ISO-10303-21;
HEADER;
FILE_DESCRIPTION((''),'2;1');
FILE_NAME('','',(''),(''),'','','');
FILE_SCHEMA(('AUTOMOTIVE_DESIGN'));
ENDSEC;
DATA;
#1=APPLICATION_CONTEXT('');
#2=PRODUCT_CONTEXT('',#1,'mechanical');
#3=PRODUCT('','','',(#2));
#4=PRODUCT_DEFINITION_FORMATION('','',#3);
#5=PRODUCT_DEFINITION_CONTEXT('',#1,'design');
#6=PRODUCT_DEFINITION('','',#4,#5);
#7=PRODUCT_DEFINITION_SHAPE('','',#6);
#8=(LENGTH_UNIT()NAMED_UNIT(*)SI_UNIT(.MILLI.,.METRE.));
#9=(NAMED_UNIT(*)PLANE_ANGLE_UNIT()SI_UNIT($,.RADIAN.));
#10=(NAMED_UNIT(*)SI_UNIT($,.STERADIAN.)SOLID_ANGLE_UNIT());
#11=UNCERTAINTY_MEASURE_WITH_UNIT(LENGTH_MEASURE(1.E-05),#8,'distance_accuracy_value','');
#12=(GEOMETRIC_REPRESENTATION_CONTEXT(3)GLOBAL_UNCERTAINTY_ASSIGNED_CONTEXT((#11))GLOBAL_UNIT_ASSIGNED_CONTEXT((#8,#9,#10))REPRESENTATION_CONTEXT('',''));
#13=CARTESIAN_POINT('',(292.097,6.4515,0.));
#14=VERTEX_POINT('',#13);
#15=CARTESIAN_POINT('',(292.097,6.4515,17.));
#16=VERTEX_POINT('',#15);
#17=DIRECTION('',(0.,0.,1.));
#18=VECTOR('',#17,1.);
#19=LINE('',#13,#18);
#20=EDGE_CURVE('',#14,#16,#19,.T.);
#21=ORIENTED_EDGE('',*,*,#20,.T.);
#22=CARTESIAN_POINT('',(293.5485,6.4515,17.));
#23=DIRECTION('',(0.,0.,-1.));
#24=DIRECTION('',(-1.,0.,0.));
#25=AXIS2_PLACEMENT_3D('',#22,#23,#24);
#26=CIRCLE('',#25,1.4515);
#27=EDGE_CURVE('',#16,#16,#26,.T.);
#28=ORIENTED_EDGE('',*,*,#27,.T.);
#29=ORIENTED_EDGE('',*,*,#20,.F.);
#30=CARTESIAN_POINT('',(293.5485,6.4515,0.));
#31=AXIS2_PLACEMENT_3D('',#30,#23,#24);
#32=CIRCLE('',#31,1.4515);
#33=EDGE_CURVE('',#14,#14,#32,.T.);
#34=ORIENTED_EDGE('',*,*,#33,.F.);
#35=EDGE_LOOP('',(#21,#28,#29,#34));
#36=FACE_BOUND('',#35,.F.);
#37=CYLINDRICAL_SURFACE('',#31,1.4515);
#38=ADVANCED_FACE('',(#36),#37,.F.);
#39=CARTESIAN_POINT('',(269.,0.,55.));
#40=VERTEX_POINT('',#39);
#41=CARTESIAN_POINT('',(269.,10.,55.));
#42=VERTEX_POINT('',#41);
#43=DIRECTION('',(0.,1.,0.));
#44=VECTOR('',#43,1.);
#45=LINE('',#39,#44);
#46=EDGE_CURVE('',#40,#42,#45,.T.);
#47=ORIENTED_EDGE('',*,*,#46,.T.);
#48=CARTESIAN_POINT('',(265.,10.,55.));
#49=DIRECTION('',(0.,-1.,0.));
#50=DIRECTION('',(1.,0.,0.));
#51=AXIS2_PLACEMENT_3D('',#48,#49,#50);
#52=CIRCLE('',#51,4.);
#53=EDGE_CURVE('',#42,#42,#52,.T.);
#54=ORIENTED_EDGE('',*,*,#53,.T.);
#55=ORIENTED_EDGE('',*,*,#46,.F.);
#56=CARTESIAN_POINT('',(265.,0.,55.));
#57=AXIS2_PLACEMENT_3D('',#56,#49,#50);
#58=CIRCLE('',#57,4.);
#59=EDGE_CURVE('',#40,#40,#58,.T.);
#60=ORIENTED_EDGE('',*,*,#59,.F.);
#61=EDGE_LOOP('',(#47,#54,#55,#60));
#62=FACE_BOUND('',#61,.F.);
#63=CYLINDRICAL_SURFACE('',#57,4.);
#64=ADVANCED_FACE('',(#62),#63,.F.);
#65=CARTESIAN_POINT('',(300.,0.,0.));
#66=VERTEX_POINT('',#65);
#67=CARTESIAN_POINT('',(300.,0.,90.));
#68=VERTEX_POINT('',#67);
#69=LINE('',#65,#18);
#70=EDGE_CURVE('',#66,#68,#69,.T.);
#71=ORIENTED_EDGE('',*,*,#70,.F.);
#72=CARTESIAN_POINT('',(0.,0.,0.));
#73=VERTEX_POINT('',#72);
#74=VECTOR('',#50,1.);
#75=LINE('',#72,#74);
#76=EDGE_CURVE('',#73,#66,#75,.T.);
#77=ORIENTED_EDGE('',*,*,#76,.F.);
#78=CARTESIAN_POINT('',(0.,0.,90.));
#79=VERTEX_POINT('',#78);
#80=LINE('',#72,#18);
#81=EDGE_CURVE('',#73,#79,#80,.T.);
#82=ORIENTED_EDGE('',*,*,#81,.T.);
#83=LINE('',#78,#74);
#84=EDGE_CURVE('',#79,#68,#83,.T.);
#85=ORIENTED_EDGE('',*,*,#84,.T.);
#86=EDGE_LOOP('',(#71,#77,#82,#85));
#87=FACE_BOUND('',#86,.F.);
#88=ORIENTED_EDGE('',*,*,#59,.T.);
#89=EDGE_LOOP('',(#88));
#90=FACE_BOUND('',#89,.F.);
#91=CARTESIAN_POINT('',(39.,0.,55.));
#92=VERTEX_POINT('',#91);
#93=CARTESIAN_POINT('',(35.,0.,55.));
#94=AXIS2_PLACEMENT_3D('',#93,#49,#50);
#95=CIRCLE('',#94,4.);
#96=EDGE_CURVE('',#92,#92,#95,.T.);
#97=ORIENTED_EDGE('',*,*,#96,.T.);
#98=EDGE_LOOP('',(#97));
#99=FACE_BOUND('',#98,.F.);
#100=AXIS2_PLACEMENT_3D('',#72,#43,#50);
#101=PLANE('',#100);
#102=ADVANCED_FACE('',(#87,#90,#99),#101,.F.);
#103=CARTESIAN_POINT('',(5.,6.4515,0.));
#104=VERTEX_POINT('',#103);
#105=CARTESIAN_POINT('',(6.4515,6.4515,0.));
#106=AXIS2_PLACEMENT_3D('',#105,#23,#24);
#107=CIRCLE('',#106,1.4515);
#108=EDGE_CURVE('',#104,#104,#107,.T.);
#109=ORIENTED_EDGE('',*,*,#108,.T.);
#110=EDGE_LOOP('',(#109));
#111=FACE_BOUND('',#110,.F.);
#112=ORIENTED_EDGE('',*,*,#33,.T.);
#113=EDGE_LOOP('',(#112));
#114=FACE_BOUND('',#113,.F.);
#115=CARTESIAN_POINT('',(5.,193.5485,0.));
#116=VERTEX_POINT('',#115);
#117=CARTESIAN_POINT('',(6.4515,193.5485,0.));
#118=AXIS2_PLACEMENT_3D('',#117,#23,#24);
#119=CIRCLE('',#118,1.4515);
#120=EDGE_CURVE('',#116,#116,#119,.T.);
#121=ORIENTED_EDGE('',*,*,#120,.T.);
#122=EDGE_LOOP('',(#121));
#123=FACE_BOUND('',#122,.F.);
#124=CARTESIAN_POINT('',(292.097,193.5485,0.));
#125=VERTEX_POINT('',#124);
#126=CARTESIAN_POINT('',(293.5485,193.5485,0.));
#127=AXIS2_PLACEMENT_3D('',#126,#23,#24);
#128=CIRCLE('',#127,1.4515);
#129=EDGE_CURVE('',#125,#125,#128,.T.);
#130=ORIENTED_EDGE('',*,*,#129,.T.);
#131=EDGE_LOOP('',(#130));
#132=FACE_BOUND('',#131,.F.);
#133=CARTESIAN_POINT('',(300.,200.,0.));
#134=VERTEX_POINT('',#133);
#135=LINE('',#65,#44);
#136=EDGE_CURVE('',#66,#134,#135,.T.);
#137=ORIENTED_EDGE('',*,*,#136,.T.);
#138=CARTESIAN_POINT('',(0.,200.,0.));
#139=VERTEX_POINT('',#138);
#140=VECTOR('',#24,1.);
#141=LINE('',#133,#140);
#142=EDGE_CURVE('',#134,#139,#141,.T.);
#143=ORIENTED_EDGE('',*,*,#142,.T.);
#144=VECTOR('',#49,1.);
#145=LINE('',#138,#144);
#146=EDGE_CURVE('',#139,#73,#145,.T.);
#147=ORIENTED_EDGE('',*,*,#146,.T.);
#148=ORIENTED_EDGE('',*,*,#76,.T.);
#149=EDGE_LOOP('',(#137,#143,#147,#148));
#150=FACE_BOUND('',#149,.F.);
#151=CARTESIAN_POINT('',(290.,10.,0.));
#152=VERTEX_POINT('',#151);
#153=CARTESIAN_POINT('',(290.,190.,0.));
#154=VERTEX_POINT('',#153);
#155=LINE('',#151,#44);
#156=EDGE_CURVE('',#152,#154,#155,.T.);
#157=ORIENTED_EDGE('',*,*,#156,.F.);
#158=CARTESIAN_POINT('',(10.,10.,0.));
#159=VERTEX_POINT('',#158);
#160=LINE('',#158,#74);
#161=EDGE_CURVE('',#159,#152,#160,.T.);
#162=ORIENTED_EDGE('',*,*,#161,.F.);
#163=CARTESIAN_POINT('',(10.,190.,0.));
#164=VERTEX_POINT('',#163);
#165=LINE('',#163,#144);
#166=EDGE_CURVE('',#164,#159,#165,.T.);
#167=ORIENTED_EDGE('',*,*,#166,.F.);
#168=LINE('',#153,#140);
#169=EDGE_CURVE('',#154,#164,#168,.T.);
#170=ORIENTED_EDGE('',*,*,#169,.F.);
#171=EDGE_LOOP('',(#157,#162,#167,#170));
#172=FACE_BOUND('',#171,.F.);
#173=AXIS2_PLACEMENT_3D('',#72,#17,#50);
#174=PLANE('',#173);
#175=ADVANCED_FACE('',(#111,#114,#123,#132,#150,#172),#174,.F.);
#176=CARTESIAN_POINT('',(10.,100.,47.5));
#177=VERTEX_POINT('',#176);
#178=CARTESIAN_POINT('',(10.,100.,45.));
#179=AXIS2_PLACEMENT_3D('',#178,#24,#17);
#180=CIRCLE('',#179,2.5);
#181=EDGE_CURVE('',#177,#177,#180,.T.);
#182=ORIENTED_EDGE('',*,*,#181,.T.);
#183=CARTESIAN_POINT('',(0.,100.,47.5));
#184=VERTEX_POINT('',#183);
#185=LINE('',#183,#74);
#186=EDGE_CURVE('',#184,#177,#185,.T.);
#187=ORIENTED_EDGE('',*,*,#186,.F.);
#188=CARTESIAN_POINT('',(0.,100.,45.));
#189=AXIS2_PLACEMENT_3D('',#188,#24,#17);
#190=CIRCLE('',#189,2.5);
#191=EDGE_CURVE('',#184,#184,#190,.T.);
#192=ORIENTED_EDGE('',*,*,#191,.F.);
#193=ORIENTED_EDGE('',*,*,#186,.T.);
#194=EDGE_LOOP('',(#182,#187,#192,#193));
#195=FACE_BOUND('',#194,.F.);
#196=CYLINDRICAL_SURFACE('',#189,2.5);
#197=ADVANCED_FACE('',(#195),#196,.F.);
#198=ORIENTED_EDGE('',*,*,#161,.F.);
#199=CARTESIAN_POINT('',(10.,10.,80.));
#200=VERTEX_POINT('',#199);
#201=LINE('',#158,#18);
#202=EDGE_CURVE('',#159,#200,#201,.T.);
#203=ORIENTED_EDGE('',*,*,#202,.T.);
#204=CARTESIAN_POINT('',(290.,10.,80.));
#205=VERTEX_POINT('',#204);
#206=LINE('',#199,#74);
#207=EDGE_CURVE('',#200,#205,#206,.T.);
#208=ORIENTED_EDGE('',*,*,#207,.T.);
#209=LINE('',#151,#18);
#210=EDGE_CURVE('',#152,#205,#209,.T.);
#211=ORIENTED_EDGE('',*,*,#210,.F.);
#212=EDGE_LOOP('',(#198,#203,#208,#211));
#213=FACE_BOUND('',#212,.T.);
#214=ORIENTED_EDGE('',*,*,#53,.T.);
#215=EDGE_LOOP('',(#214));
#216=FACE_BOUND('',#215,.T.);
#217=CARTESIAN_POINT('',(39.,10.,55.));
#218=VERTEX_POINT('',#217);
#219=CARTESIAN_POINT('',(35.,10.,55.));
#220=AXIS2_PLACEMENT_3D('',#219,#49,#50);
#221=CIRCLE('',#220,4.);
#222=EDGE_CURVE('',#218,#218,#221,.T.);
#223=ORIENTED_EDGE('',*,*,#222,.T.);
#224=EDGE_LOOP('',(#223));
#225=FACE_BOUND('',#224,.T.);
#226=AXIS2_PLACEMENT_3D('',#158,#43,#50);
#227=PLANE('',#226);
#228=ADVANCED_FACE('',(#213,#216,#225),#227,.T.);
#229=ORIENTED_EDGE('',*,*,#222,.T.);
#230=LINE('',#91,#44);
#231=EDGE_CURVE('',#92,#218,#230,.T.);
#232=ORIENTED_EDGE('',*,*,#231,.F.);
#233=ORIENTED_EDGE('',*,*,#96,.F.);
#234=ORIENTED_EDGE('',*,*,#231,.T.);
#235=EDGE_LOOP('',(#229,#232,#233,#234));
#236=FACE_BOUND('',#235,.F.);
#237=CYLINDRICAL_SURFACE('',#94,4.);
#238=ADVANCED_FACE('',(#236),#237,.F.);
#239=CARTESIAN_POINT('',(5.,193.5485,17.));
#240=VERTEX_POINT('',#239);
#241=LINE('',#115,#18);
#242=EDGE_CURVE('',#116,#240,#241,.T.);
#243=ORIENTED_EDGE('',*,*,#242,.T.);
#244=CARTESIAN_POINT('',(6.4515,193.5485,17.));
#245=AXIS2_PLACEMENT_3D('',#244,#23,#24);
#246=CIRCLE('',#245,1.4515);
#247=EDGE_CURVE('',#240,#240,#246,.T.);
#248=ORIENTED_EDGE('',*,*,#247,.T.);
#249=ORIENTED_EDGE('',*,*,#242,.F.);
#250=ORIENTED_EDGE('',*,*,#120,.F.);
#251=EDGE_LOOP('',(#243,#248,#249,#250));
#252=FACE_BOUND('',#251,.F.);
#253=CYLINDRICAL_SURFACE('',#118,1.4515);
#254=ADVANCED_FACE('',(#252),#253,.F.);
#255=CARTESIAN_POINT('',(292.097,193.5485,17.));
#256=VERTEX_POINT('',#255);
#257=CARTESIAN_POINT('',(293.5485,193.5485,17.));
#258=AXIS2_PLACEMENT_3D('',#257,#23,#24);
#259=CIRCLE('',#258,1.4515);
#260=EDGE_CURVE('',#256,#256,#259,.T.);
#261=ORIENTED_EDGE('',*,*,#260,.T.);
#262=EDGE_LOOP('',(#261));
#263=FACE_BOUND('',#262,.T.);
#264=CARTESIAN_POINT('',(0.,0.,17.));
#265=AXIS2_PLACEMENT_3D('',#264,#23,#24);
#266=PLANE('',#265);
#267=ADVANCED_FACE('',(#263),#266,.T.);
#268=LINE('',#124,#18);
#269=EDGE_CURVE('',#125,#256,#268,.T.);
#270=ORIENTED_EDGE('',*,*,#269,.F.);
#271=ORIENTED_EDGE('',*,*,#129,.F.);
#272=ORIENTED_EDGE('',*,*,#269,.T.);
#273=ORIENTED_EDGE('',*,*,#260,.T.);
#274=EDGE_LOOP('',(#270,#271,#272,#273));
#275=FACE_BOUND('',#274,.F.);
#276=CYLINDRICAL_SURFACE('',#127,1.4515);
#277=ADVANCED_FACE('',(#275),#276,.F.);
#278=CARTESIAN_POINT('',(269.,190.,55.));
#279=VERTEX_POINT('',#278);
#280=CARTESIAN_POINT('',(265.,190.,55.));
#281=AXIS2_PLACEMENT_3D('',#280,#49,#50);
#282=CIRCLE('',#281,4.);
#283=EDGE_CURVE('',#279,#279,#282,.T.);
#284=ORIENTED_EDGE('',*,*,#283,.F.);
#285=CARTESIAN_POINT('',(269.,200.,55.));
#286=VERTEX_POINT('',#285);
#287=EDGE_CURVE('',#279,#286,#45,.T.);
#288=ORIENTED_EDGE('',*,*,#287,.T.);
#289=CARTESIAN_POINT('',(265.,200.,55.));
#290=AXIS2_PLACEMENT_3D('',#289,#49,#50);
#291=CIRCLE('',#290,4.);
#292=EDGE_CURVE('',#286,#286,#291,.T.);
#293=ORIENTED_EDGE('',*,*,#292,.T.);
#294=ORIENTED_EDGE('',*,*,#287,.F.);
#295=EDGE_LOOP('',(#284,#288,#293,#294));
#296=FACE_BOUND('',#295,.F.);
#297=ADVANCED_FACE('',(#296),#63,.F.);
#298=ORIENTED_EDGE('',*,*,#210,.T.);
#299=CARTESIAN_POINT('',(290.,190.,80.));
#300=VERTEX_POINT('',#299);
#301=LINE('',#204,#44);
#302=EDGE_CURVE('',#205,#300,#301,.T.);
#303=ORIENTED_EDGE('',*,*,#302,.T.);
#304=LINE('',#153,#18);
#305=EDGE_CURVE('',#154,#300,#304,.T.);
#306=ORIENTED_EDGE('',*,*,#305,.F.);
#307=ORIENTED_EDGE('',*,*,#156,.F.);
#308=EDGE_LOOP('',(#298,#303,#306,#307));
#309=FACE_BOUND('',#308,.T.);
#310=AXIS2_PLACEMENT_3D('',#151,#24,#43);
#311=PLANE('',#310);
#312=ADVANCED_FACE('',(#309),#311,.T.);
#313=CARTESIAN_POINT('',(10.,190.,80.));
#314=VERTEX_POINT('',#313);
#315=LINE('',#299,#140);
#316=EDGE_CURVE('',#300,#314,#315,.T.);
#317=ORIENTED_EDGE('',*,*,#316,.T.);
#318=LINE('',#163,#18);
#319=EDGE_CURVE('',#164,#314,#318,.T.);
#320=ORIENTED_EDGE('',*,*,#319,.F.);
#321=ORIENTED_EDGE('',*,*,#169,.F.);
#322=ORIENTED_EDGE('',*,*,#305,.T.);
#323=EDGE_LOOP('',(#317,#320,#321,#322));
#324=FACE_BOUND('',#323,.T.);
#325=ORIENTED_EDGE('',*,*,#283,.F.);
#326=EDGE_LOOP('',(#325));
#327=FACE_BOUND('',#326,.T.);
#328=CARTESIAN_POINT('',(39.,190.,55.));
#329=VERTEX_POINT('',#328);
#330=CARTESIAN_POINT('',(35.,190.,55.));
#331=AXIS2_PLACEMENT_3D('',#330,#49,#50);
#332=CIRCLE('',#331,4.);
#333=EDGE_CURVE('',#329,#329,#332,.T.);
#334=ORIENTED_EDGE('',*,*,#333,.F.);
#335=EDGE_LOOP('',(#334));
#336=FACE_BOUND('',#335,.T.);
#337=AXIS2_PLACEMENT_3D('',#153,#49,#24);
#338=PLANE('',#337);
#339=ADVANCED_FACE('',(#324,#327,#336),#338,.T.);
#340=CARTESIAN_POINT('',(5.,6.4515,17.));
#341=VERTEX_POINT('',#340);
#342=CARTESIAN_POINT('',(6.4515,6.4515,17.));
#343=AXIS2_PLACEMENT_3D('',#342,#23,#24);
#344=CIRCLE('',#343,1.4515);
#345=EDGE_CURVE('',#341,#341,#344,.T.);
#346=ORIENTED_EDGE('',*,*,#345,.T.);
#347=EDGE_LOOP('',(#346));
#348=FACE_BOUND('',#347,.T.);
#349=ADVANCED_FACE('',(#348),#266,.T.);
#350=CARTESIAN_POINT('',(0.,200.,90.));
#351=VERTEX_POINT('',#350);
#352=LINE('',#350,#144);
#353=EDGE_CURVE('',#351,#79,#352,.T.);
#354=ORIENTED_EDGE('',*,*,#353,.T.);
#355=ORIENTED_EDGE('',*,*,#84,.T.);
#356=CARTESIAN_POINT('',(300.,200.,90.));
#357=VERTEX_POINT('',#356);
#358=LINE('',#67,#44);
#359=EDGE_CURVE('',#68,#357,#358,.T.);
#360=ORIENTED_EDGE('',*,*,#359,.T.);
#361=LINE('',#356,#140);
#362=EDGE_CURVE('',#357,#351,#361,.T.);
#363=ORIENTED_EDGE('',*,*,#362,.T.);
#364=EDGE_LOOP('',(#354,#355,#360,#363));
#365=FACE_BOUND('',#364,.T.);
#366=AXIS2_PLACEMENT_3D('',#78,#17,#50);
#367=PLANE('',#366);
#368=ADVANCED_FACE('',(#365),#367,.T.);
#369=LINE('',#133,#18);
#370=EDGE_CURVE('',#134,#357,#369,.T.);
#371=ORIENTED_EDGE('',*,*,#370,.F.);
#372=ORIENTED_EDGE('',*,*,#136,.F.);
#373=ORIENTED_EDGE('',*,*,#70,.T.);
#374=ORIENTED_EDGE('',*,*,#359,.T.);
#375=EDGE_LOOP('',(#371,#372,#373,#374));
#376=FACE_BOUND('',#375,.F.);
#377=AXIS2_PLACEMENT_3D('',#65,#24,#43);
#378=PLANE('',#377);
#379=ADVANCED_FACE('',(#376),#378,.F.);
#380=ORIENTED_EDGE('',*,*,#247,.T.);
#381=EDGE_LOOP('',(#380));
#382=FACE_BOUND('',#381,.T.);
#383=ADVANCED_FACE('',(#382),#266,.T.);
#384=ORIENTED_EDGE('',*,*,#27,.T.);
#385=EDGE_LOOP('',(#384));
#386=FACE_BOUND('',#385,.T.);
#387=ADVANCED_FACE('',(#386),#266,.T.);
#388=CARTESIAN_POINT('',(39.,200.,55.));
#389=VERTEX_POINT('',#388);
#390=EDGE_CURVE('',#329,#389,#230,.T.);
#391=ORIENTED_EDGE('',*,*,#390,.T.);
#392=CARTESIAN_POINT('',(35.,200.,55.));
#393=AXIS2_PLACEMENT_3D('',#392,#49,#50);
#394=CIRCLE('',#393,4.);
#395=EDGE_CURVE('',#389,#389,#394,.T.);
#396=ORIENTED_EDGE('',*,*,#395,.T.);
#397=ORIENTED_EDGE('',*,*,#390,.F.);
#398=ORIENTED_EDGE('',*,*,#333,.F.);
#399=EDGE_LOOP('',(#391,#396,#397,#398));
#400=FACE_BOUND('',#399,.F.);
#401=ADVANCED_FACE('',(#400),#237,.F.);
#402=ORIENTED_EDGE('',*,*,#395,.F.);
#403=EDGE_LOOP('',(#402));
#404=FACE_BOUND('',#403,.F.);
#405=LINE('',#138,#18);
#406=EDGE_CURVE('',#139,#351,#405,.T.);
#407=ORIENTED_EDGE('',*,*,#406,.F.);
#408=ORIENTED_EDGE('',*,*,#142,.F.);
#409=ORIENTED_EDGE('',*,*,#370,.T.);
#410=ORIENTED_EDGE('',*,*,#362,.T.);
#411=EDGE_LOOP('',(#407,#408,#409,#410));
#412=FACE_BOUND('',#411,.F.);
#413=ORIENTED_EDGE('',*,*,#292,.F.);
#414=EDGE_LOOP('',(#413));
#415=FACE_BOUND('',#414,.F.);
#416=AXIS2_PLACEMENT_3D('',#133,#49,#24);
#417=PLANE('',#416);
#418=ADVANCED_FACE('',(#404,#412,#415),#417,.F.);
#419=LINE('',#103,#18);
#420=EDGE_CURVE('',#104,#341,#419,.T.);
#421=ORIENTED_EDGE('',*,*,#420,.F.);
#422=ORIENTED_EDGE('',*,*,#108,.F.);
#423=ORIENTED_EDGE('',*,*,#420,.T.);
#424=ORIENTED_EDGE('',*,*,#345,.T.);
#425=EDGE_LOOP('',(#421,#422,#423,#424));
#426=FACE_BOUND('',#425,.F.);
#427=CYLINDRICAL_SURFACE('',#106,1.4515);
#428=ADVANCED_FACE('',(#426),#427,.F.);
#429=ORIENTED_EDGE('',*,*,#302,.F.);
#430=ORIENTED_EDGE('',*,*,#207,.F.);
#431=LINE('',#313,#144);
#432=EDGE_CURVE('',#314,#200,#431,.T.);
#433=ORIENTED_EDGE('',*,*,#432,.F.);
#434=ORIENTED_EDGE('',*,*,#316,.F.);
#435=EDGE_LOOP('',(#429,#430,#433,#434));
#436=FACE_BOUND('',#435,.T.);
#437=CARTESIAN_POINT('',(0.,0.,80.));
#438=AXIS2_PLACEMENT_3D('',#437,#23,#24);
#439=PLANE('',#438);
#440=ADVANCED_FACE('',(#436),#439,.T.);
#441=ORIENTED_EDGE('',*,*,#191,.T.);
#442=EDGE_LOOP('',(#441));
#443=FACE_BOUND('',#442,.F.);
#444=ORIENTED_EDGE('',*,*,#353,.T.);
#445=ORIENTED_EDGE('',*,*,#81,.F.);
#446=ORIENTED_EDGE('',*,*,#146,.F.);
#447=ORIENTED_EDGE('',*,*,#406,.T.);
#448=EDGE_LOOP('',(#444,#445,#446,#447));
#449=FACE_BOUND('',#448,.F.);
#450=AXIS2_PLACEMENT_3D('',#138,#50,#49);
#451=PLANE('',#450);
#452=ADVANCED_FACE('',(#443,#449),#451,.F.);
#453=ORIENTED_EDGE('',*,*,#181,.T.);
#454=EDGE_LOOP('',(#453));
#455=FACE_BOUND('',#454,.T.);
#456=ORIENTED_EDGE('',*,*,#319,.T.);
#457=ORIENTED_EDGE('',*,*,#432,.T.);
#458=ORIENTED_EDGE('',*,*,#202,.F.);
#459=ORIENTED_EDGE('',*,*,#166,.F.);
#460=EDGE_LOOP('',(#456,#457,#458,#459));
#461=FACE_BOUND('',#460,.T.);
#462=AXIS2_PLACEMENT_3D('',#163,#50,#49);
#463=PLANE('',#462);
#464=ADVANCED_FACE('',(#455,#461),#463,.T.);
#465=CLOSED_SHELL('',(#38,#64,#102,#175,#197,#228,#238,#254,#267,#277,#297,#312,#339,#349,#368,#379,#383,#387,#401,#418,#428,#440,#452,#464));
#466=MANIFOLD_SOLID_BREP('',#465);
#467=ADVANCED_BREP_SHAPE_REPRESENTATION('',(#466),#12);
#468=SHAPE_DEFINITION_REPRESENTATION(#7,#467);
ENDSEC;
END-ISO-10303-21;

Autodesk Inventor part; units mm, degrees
ref_plane "YZ Plane" through (0, 0, 0) normal (1, 0, 0) x (0, 1, 0)
ref_plane "XZ Plane" through (0, 0, 0) normal (0, 1, 0) x (-1, 0, 0)
ref_plane "XY Plane" through (0, 0, 0) normal (0, 0, 1) x (1, 0, 0)
sketch "Sketch1" plane through (0, 0, 0) normal (0, 0, 1) x (1, 0, 0)
  line L0 (0, 0) -> (300, 0)
  line L1 (300, 0) -> (300, 200)
  line L2 (300, 200) -> (0, 200)
  line L3 (0, 200) -> (0, 0)
  dimension "d0" = 200
  dimension "d1" = 300
extrude "Extrusion1" add sketch "Sketch1" along normal blind 90
sketch "Sketch2" plane through (0, 0, 0) normal (0, 0, -1) x (-1, 0, 0)
  line L0 (-10, 10) -> (-290, 10)
  line L1 (-290, 10) -> (-290, 190)
  line L2 (-290, 190) -> (-10, 190)
  line L3 (-10, 190) -> (-10, 10)
  line L4 (0, 0) -> (-300, 0) projected
  line L5 (0, 200) -> (0, 0) projected
  dimension "d4" = 180
  dimension "d5" = 280
  dimension "d6" = 10
  dimension "d7" = 10
extrude "Extrusion2" cut sketch "Sketch2" against normal blind 80
sketch "Sketch4" plane through (0, 0, 0) normal (0, 0, -1) x (-1, 0, 0)
  circle A0 centre (-6.4515, 6.4515) radius 1.4515
  circle A1 centre (-6.4515, 193.5485) radius 1.4515
  circle A2 centre (-293.5485, 193.5485) radius 1.4515
  circle A3 centre (-293.5485, 6.4515) radius 1.4515
  line L0 (0, 0) -> (-300, 0) projected
  line L1 (0, 200) -> (0, 0) projected
  line L2 (-300, 200) -> (0, 200) projected
  line L3 (-300, 0) -> (-300, 200) projected
  dimension "d18" = 2.903
  dimension "d19" = 2.903
  dimension "d20" = 2.903
  dimension "d21" = 2.903
  dimension "d22" = 5
  dimension "d23" = 5
  dimension "d24" = 5
  dimension "d25" = 5
  dimension "d26" = 5
  dimension "d27" = 5
  dimension "d28" = 5
  dimension "d29" = 5
extrude "Extrusion4" cut sketch "Sketch4" against normal blind 17 contours A0 | A1 | A2 | A3
sketch "Sketch5" plane through (0, 0, 0) normal (0, -1, 0) x (1, 0, 0)
  circle A0 centre (265, 55) radius 4
  circle A1 centre (35, 55) radius 4
  line L0 (0, 90) -> (300, 90) projected
  line L1 (300, 0) -> (300, 90) projected
  line L2 (0, 0) -> (0, 90) projected
  dimension "d32" = 8
  dimension "d33" = 8
  dimension "d34" = 35
  dimension "d35" = 35
  dimension "d36" = 35
  dimension "d37" = 35
extrude "Extrusion5" cut sketch "Sketch5" against normal through all
sketch "Sketch6" plane through (0, 0, 80) normal (0, 0, -1) x (-1, 0, 0)
  point P0 (0, 0)
sketch "Sketch7" plane through (0, 0, 80) normal (0, 0, -1) x (-1, 0, 0)
  line L0 (-10, 190) -> (-10, 10) projected
  point P0 (0, 0)
sketch "Sketch8" plane through (0, 0, 0) normal (-1, 0, 0) x (0, 0, 1)
  circle A0 centre (45, 100) radius 2.5
  line L0 (0, 0) -> (90, 0) projected
  line L1 (0, 200) -> (0, 0) projected
  dimension "d57" = 5
  dimension "d58" = 100
  dimension "d59" = 45
extrude "Extrusion6" cut sketch "Sketch8" against normal blind 10
equation "\"BendRadius\" = Thickness"
equation "\"BendReliefWidth\" = Thickness"
equation "\"BendReliefDepth\" = 0.5 * Thickness"
equation "\"CornerReliefSize\" = 4 * Thickness"
equation "\"MinimumRemnant\" = 2 * Thickness"
equation "\"TransitionRadius\" = BendRadius"
equation "\"JacobiRadiusSize\" = BendRadius"
equation "\"GapSize\" = Thickness"
equation "\"Thickness\" = 0.5"
properties part number "base"
